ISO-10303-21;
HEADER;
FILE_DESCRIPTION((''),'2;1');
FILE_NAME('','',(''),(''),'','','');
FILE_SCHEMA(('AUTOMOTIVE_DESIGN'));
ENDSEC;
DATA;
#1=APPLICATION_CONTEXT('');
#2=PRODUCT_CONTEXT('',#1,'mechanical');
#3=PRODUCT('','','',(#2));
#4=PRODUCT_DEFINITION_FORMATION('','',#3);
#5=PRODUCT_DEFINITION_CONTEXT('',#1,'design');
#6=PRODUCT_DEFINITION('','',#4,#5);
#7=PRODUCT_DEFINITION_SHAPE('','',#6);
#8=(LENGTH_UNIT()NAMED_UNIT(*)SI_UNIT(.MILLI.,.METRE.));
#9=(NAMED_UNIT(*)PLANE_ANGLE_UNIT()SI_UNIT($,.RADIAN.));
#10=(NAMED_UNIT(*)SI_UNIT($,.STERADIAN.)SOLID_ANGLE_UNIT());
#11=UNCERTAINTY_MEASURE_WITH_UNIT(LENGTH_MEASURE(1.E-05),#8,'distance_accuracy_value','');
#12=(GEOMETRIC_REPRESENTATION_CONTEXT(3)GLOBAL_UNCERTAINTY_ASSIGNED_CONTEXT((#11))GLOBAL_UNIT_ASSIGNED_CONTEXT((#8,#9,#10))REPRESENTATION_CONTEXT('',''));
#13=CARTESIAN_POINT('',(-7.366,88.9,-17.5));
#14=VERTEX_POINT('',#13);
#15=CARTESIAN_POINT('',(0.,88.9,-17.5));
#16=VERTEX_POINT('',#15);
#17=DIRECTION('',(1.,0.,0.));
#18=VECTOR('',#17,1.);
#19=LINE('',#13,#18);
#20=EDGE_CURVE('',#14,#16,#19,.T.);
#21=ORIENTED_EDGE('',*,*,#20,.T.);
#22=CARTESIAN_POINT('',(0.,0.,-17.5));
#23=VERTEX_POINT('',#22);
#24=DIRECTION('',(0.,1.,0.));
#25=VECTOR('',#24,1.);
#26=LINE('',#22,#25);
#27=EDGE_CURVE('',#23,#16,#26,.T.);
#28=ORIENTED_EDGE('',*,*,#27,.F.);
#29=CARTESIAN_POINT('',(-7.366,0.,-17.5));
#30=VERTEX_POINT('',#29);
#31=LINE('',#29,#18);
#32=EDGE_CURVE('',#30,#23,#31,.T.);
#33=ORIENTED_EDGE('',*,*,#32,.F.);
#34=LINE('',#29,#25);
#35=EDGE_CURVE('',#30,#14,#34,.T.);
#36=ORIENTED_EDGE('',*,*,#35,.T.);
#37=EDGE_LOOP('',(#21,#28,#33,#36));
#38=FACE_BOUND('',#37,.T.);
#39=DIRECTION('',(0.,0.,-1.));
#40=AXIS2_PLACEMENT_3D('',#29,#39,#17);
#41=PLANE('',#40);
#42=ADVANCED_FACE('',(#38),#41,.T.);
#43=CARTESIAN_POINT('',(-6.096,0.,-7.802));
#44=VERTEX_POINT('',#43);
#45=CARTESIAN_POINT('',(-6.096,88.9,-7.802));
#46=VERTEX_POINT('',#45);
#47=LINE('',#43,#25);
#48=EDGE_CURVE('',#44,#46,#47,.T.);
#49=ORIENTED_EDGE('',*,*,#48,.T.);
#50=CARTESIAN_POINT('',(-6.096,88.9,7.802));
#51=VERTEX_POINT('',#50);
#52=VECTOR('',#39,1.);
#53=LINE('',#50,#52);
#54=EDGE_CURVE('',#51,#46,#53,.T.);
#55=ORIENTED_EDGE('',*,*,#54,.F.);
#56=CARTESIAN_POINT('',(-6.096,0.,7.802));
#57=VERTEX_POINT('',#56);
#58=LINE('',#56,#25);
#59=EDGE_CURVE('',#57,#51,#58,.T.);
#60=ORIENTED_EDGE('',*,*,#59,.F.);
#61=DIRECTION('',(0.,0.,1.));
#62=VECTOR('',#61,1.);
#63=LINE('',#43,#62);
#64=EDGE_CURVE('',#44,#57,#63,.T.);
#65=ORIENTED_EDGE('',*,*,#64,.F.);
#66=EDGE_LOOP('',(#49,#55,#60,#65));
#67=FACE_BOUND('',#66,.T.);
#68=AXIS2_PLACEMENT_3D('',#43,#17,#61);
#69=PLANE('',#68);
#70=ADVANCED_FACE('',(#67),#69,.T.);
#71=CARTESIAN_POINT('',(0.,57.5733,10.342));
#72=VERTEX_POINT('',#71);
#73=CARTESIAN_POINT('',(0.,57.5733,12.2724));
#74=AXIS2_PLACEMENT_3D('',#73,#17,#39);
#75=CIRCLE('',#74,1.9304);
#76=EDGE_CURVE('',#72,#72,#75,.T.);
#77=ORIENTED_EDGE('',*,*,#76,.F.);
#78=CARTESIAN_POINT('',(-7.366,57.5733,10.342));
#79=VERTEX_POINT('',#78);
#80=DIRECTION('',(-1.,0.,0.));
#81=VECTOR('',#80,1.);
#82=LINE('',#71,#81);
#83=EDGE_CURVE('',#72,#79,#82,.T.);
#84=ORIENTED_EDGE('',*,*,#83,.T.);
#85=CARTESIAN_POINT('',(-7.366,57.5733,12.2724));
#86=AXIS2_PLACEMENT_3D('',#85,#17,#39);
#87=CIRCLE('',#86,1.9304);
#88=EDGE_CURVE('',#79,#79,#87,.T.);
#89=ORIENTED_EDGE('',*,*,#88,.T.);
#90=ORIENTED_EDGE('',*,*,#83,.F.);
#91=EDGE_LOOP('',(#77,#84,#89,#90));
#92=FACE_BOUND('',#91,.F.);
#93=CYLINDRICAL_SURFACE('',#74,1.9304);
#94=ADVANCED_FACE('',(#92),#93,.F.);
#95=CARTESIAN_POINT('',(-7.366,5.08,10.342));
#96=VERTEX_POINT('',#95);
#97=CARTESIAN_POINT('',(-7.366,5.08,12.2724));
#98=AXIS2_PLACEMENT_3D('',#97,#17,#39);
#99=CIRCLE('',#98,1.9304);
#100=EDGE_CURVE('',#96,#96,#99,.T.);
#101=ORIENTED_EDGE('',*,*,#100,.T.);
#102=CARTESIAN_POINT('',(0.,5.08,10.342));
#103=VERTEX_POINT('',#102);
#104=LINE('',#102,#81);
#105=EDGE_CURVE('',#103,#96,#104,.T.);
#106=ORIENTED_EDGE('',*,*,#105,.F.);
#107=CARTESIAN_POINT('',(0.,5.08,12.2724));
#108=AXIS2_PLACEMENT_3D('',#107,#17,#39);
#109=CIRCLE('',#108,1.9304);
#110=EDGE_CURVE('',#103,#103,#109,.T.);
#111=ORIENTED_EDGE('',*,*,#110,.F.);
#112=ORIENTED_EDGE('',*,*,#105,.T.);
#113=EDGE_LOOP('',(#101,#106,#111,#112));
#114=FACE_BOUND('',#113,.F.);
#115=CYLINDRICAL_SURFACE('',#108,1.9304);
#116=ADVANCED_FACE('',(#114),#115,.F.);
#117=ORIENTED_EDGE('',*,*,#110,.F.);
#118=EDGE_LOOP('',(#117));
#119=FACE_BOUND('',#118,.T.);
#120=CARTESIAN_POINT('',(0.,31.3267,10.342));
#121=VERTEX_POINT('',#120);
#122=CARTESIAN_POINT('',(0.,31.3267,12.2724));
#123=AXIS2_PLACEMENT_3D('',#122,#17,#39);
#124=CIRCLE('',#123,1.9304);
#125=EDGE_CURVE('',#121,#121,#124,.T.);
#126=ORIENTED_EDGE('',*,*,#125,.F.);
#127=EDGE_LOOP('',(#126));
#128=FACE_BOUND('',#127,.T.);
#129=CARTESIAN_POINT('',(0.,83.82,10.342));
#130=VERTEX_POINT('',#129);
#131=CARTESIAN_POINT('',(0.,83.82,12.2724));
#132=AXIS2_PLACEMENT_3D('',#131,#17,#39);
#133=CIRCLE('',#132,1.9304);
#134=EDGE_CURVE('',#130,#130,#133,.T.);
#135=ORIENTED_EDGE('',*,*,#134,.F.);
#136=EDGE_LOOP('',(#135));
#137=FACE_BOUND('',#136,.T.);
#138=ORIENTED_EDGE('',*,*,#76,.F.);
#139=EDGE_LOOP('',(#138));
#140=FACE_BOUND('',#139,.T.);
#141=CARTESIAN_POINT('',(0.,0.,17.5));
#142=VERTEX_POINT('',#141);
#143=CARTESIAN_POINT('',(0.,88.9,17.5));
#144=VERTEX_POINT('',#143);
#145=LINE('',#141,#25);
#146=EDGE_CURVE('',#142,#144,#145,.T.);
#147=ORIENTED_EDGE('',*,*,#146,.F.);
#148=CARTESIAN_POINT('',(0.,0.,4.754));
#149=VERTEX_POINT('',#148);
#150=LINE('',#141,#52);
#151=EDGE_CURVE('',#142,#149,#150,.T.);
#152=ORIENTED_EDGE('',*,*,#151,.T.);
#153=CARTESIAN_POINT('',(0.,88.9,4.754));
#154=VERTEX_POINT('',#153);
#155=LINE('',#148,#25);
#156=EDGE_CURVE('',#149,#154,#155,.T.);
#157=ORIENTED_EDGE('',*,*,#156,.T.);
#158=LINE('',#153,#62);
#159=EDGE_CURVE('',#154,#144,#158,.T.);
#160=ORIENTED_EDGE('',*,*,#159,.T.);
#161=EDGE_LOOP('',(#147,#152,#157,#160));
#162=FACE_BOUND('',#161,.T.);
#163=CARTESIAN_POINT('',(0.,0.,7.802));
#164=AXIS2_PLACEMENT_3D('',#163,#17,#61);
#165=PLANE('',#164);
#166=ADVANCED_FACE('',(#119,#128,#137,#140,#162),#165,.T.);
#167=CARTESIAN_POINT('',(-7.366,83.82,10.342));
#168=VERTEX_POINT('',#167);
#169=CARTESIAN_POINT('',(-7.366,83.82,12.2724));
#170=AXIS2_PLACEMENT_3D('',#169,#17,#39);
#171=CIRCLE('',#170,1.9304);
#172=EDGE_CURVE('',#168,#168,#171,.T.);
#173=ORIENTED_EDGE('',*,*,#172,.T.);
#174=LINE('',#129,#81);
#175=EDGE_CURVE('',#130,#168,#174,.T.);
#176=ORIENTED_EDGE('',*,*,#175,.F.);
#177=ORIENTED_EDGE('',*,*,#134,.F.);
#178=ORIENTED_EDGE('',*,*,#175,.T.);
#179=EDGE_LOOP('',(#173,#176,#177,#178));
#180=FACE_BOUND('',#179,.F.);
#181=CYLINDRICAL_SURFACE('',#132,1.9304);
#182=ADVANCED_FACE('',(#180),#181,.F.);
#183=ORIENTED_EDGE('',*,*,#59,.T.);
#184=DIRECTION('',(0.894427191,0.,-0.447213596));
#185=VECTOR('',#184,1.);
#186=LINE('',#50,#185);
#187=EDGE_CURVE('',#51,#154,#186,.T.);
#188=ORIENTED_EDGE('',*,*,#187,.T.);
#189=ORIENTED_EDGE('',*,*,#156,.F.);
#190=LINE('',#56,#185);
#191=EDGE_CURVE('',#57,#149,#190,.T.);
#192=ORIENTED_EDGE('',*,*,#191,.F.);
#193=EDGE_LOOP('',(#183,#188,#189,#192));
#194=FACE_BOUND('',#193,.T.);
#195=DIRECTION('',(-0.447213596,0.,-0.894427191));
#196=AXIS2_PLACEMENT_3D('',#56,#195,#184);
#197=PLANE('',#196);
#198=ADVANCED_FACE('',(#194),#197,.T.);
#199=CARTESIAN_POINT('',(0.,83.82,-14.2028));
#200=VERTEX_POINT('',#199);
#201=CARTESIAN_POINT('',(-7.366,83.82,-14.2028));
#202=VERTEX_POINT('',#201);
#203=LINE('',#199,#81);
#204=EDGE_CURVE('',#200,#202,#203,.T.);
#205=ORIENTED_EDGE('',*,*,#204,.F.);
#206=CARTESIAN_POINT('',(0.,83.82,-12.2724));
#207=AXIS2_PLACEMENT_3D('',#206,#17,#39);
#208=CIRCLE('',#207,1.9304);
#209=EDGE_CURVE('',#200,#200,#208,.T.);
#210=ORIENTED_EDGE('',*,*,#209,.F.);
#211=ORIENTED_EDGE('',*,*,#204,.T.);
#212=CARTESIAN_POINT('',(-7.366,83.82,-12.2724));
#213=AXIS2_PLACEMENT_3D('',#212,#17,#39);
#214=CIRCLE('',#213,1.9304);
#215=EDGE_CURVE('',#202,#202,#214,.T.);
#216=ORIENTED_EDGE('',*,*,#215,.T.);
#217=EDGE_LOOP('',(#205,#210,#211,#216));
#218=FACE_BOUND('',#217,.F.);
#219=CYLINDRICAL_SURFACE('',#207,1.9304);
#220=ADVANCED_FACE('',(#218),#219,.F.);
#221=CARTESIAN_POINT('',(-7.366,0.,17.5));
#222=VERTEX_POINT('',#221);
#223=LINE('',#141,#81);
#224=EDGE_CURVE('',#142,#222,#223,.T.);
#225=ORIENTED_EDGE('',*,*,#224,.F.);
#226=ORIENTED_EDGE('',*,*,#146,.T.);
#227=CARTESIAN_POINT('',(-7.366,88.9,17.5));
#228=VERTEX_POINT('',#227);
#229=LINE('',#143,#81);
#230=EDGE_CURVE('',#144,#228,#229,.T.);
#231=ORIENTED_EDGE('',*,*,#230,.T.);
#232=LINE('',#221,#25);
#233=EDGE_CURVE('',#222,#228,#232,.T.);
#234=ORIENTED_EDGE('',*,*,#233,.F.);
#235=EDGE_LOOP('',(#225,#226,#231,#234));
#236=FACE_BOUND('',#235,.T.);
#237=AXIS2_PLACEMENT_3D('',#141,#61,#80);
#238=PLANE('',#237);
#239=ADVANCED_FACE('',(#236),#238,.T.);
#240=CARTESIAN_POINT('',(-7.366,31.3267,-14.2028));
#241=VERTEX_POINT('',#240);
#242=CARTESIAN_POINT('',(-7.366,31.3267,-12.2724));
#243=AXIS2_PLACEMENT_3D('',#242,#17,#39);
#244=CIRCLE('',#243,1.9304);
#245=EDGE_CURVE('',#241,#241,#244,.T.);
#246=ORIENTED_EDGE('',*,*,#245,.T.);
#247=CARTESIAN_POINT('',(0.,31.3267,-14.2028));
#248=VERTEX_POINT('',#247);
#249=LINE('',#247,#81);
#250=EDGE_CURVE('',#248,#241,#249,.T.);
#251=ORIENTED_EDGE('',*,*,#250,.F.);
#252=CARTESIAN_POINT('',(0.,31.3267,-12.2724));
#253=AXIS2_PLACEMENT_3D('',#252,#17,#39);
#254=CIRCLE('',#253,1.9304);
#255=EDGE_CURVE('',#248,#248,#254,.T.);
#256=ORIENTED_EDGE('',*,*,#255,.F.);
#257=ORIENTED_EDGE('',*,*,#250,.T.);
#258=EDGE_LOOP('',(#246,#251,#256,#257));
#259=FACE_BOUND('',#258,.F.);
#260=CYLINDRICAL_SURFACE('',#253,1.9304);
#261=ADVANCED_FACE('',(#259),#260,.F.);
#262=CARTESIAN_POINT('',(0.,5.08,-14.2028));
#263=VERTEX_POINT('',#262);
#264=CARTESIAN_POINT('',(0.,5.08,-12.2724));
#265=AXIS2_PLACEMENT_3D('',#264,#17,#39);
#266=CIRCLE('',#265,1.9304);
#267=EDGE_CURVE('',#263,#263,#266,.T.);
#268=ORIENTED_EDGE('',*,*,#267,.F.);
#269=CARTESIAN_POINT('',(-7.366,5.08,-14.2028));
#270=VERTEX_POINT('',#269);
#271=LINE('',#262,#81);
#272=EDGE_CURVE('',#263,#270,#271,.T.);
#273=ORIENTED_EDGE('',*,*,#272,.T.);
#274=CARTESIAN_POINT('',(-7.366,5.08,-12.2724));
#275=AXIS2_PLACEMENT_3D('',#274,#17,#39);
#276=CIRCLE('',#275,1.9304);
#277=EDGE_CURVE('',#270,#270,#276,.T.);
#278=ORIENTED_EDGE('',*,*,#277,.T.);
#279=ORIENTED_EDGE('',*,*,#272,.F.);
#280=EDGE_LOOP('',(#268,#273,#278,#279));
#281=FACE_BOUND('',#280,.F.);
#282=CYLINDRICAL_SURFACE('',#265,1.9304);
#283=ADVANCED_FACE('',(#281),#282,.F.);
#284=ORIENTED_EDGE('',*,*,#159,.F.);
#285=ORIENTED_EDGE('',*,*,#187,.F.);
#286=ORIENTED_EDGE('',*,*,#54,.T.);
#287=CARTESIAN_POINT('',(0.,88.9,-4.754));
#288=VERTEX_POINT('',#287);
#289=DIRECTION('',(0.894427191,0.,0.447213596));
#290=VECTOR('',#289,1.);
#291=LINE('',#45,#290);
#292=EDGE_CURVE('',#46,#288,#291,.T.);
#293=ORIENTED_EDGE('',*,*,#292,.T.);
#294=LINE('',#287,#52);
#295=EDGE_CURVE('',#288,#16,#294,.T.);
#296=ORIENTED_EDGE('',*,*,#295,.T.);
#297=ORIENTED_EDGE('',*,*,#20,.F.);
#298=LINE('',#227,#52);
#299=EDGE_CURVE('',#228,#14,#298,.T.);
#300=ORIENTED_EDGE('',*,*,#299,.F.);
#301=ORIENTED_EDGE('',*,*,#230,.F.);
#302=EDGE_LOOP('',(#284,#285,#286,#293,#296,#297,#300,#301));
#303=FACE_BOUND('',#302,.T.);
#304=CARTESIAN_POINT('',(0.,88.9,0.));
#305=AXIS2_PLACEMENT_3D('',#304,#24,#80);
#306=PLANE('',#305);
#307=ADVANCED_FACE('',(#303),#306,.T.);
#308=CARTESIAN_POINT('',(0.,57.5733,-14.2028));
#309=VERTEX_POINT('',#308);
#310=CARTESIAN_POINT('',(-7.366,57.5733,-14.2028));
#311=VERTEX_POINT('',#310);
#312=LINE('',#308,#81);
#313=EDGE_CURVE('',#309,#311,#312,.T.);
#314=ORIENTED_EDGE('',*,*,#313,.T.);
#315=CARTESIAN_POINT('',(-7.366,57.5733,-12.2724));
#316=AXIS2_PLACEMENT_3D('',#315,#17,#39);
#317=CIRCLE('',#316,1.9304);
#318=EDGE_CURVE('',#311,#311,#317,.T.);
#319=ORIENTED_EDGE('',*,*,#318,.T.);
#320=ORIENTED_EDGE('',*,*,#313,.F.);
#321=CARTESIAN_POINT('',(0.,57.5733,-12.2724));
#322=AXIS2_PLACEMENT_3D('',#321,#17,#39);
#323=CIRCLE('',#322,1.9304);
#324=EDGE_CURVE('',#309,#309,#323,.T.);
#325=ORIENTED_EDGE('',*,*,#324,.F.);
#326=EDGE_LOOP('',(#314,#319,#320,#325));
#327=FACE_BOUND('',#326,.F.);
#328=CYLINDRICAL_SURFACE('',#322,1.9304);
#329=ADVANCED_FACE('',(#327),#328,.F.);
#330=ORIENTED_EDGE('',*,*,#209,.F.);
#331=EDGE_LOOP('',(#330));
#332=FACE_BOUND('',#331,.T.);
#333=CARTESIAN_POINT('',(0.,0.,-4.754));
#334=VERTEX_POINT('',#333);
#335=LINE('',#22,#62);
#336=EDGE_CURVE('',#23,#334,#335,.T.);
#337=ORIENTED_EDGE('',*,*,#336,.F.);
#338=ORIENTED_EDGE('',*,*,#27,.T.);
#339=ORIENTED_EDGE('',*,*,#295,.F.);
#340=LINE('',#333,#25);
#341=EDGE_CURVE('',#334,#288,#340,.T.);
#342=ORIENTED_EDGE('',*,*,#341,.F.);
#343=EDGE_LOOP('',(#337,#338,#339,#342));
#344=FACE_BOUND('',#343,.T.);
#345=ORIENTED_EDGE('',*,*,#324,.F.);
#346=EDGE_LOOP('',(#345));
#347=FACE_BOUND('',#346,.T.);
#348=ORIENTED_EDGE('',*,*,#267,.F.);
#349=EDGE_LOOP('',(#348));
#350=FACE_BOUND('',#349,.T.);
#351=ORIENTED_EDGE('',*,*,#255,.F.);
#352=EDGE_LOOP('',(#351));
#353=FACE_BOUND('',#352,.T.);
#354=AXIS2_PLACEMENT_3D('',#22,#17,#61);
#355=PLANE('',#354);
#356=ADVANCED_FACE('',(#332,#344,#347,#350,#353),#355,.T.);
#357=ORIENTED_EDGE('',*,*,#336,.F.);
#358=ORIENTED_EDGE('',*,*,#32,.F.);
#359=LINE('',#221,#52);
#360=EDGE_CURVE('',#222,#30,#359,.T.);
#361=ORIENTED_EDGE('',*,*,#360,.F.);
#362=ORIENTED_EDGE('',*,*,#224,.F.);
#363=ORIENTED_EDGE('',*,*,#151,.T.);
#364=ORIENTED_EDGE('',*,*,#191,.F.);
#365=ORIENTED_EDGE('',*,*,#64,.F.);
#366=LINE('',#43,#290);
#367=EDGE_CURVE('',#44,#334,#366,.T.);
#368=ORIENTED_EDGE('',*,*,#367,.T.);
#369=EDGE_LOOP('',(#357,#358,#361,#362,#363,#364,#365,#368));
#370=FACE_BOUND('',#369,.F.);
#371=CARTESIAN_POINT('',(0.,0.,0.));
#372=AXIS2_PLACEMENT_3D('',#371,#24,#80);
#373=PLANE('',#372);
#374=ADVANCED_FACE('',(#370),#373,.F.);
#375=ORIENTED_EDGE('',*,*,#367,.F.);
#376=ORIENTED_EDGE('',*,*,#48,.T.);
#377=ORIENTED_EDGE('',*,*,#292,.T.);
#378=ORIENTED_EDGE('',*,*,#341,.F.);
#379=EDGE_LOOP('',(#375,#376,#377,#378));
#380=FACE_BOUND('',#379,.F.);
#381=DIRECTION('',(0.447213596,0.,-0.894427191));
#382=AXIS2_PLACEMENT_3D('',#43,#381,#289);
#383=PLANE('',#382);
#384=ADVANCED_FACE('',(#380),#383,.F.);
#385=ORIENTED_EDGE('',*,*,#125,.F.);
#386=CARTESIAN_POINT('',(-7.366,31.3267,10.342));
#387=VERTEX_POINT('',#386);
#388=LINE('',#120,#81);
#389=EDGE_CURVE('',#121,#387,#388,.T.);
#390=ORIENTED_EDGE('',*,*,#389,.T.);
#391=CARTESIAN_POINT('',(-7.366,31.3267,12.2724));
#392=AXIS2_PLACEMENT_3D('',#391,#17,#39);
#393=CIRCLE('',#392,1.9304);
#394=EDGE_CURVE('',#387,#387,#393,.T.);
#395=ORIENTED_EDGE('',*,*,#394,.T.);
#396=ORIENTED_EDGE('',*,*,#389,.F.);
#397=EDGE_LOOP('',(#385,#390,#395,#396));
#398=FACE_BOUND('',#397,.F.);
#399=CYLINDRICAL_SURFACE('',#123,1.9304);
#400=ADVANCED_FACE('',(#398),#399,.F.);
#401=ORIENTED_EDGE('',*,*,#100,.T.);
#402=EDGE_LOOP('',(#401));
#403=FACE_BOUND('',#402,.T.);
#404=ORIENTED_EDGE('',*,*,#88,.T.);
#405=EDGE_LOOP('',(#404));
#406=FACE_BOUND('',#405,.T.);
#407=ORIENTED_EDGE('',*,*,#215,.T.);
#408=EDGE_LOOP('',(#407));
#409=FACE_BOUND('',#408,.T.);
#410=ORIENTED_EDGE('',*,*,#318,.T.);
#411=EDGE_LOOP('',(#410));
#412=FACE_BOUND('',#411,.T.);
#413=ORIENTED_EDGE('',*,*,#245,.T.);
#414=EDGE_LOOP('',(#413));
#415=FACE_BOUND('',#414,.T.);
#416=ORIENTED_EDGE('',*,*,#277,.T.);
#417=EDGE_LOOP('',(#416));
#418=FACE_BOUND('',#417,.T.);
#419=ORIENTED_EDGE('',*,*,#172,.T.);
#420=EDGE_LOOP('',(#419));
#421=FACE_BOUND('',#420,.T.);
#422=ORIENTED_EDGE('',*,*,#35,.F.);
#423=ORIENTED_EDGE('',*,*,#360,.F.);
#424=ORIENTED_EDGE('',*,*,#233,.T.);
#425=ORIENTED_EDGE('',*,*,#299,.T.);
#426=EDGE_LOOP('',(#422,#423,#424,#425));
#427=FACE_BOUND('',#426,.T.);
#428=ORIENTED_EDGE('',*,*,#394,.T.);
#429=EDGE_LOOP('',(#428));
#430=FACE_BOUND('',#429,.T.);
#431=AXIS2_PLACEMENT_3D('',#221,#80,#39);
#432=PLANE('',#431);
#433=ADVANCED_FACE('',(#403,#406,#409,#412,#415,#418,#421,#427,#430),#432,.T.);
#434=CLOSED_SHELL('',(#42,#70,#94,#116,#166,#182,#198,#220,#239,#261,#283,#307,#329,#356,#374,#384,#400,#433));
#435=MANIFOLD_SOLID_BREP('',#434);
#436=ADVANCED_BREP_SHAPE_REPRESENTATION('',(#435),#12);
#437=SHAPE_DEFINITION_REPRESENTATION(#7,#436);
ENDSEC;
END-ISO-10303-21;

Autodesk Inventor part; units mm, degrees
ref_plane "YZ Plane" through (0, 0, 0) normal (1, 0, 0) x (0, 1, 0)
ref_plane "XZ Plane" through (0, 0, 0) normal (0, 1, 0) x (-1, 0, 0)
ref_plane "XY Plane" through (0, 0, 0) normal (0, 0, 1) x (1, 0, 0)
sketch "Sketch1" plane through (0, 0, 0) normal (0, 1, 0) x (-1, 0, 0)
  line L0 (0, 17.5) -> (7.366, 17.5)
  line L1 (7.366, 17.5) -> (7.366, -17.5)
  line L2 (7.366, -17.5) -> (0, -17.5)
  line L3 (6.096, 4.754) -> (6.096, -4.754)
  line L4 (0, 4.754) -> (0, 7.802)
  line L5 (6.096, 7.802) -> (6.096, 4.754)
  line L6 (0, -4.754) -> (0, -5.048)
  line L7 (6.096, -7.802) -> (6.096, -4.754)
  line L8 (6.096, 7.802) -> (0, 4.754)
  line L9 (6.096, -7.802) -> (0, -4.754)
  line L10 (0, -17.5) -> (0, -4.754)
  line L11 (0, 4.754) -> (0, 17.5)
  point P0 (0, 0)
  dimension "d0" = 7.366
  dimension "d1" = 35
  dimension "d2" = 17.5
  dimension "d8" = 9.508
  dimension "d9" = 4.754
  dimension "d10" = 3.048
  dimension "d11" = 3.048
  dimension "d12" = 6.096
  dimension "d16" = 15.604
extrude "Shape" add sketch "Sketch1" along normal blind 88.9
sketch "Sketch2" plane through (0, 0, -4.754) normal (1, 0, 0) x (0, 0, -1)
  circle A0 centre (7.5184, 5.08) radius 1.9304
  line L0 (3.048, 0) -> (3.048, 88.9) construction
  line L1 (-12.556, 0) -> (-12.556, 88.9) construction
  line L2 (0, 0) -> (12.746, 0) construction
  line L3 (0, 88.9) -> (12.746, 88.9) construction
  circle A1 centre (7.5184, 31.3267) radius 1.9304
  circle A2 centre (7.5184, 57.5733) radius 1.9304
  circle A3 centre (7.5184, 83.82) radius 1.9304
  circle A4 centre (-17.0264, 5.08) radius 1.9304
  line L4 (-22.254, 0) -> (-9.508, 0) construction
  circle A5 centre (-17.0264, 31.3267) radius 1.9304
  circle A6 centre (-17.0264, 57.5733) radius 1.9304
  circle A7 centre (-17.0264, 83.82) radius 1.9304
  point P0 (-4.754, 0)
  dimension "d19" = 3.8608
  dimension "d20" = 4.4704
  dimension "d21" = 88.9
  dimension "d22" = 5.08
  dimension "d25" = 26.2467
  dimension "d30" = 3.8608
  dimension "d31" = 4.4704
  dimension "d32" = 5.08
  dimension "d35" = 26.2467
extrude "Extrusion2" cut sketch "Sketch2" against normal through all
ref_plane "Work Plane1" through (0, 0, 0) normal (0, 0, -1) x (-1, 0, 0)
equation "\"d2\" = 0.5 * d1"
equation "\"d9\" = 0.5 * d8"
equation "\"d11\" = d10"
equation "\"d31\" = d20"
equation "\"d32\" = d22"
properties part number "Coupler receiver"
